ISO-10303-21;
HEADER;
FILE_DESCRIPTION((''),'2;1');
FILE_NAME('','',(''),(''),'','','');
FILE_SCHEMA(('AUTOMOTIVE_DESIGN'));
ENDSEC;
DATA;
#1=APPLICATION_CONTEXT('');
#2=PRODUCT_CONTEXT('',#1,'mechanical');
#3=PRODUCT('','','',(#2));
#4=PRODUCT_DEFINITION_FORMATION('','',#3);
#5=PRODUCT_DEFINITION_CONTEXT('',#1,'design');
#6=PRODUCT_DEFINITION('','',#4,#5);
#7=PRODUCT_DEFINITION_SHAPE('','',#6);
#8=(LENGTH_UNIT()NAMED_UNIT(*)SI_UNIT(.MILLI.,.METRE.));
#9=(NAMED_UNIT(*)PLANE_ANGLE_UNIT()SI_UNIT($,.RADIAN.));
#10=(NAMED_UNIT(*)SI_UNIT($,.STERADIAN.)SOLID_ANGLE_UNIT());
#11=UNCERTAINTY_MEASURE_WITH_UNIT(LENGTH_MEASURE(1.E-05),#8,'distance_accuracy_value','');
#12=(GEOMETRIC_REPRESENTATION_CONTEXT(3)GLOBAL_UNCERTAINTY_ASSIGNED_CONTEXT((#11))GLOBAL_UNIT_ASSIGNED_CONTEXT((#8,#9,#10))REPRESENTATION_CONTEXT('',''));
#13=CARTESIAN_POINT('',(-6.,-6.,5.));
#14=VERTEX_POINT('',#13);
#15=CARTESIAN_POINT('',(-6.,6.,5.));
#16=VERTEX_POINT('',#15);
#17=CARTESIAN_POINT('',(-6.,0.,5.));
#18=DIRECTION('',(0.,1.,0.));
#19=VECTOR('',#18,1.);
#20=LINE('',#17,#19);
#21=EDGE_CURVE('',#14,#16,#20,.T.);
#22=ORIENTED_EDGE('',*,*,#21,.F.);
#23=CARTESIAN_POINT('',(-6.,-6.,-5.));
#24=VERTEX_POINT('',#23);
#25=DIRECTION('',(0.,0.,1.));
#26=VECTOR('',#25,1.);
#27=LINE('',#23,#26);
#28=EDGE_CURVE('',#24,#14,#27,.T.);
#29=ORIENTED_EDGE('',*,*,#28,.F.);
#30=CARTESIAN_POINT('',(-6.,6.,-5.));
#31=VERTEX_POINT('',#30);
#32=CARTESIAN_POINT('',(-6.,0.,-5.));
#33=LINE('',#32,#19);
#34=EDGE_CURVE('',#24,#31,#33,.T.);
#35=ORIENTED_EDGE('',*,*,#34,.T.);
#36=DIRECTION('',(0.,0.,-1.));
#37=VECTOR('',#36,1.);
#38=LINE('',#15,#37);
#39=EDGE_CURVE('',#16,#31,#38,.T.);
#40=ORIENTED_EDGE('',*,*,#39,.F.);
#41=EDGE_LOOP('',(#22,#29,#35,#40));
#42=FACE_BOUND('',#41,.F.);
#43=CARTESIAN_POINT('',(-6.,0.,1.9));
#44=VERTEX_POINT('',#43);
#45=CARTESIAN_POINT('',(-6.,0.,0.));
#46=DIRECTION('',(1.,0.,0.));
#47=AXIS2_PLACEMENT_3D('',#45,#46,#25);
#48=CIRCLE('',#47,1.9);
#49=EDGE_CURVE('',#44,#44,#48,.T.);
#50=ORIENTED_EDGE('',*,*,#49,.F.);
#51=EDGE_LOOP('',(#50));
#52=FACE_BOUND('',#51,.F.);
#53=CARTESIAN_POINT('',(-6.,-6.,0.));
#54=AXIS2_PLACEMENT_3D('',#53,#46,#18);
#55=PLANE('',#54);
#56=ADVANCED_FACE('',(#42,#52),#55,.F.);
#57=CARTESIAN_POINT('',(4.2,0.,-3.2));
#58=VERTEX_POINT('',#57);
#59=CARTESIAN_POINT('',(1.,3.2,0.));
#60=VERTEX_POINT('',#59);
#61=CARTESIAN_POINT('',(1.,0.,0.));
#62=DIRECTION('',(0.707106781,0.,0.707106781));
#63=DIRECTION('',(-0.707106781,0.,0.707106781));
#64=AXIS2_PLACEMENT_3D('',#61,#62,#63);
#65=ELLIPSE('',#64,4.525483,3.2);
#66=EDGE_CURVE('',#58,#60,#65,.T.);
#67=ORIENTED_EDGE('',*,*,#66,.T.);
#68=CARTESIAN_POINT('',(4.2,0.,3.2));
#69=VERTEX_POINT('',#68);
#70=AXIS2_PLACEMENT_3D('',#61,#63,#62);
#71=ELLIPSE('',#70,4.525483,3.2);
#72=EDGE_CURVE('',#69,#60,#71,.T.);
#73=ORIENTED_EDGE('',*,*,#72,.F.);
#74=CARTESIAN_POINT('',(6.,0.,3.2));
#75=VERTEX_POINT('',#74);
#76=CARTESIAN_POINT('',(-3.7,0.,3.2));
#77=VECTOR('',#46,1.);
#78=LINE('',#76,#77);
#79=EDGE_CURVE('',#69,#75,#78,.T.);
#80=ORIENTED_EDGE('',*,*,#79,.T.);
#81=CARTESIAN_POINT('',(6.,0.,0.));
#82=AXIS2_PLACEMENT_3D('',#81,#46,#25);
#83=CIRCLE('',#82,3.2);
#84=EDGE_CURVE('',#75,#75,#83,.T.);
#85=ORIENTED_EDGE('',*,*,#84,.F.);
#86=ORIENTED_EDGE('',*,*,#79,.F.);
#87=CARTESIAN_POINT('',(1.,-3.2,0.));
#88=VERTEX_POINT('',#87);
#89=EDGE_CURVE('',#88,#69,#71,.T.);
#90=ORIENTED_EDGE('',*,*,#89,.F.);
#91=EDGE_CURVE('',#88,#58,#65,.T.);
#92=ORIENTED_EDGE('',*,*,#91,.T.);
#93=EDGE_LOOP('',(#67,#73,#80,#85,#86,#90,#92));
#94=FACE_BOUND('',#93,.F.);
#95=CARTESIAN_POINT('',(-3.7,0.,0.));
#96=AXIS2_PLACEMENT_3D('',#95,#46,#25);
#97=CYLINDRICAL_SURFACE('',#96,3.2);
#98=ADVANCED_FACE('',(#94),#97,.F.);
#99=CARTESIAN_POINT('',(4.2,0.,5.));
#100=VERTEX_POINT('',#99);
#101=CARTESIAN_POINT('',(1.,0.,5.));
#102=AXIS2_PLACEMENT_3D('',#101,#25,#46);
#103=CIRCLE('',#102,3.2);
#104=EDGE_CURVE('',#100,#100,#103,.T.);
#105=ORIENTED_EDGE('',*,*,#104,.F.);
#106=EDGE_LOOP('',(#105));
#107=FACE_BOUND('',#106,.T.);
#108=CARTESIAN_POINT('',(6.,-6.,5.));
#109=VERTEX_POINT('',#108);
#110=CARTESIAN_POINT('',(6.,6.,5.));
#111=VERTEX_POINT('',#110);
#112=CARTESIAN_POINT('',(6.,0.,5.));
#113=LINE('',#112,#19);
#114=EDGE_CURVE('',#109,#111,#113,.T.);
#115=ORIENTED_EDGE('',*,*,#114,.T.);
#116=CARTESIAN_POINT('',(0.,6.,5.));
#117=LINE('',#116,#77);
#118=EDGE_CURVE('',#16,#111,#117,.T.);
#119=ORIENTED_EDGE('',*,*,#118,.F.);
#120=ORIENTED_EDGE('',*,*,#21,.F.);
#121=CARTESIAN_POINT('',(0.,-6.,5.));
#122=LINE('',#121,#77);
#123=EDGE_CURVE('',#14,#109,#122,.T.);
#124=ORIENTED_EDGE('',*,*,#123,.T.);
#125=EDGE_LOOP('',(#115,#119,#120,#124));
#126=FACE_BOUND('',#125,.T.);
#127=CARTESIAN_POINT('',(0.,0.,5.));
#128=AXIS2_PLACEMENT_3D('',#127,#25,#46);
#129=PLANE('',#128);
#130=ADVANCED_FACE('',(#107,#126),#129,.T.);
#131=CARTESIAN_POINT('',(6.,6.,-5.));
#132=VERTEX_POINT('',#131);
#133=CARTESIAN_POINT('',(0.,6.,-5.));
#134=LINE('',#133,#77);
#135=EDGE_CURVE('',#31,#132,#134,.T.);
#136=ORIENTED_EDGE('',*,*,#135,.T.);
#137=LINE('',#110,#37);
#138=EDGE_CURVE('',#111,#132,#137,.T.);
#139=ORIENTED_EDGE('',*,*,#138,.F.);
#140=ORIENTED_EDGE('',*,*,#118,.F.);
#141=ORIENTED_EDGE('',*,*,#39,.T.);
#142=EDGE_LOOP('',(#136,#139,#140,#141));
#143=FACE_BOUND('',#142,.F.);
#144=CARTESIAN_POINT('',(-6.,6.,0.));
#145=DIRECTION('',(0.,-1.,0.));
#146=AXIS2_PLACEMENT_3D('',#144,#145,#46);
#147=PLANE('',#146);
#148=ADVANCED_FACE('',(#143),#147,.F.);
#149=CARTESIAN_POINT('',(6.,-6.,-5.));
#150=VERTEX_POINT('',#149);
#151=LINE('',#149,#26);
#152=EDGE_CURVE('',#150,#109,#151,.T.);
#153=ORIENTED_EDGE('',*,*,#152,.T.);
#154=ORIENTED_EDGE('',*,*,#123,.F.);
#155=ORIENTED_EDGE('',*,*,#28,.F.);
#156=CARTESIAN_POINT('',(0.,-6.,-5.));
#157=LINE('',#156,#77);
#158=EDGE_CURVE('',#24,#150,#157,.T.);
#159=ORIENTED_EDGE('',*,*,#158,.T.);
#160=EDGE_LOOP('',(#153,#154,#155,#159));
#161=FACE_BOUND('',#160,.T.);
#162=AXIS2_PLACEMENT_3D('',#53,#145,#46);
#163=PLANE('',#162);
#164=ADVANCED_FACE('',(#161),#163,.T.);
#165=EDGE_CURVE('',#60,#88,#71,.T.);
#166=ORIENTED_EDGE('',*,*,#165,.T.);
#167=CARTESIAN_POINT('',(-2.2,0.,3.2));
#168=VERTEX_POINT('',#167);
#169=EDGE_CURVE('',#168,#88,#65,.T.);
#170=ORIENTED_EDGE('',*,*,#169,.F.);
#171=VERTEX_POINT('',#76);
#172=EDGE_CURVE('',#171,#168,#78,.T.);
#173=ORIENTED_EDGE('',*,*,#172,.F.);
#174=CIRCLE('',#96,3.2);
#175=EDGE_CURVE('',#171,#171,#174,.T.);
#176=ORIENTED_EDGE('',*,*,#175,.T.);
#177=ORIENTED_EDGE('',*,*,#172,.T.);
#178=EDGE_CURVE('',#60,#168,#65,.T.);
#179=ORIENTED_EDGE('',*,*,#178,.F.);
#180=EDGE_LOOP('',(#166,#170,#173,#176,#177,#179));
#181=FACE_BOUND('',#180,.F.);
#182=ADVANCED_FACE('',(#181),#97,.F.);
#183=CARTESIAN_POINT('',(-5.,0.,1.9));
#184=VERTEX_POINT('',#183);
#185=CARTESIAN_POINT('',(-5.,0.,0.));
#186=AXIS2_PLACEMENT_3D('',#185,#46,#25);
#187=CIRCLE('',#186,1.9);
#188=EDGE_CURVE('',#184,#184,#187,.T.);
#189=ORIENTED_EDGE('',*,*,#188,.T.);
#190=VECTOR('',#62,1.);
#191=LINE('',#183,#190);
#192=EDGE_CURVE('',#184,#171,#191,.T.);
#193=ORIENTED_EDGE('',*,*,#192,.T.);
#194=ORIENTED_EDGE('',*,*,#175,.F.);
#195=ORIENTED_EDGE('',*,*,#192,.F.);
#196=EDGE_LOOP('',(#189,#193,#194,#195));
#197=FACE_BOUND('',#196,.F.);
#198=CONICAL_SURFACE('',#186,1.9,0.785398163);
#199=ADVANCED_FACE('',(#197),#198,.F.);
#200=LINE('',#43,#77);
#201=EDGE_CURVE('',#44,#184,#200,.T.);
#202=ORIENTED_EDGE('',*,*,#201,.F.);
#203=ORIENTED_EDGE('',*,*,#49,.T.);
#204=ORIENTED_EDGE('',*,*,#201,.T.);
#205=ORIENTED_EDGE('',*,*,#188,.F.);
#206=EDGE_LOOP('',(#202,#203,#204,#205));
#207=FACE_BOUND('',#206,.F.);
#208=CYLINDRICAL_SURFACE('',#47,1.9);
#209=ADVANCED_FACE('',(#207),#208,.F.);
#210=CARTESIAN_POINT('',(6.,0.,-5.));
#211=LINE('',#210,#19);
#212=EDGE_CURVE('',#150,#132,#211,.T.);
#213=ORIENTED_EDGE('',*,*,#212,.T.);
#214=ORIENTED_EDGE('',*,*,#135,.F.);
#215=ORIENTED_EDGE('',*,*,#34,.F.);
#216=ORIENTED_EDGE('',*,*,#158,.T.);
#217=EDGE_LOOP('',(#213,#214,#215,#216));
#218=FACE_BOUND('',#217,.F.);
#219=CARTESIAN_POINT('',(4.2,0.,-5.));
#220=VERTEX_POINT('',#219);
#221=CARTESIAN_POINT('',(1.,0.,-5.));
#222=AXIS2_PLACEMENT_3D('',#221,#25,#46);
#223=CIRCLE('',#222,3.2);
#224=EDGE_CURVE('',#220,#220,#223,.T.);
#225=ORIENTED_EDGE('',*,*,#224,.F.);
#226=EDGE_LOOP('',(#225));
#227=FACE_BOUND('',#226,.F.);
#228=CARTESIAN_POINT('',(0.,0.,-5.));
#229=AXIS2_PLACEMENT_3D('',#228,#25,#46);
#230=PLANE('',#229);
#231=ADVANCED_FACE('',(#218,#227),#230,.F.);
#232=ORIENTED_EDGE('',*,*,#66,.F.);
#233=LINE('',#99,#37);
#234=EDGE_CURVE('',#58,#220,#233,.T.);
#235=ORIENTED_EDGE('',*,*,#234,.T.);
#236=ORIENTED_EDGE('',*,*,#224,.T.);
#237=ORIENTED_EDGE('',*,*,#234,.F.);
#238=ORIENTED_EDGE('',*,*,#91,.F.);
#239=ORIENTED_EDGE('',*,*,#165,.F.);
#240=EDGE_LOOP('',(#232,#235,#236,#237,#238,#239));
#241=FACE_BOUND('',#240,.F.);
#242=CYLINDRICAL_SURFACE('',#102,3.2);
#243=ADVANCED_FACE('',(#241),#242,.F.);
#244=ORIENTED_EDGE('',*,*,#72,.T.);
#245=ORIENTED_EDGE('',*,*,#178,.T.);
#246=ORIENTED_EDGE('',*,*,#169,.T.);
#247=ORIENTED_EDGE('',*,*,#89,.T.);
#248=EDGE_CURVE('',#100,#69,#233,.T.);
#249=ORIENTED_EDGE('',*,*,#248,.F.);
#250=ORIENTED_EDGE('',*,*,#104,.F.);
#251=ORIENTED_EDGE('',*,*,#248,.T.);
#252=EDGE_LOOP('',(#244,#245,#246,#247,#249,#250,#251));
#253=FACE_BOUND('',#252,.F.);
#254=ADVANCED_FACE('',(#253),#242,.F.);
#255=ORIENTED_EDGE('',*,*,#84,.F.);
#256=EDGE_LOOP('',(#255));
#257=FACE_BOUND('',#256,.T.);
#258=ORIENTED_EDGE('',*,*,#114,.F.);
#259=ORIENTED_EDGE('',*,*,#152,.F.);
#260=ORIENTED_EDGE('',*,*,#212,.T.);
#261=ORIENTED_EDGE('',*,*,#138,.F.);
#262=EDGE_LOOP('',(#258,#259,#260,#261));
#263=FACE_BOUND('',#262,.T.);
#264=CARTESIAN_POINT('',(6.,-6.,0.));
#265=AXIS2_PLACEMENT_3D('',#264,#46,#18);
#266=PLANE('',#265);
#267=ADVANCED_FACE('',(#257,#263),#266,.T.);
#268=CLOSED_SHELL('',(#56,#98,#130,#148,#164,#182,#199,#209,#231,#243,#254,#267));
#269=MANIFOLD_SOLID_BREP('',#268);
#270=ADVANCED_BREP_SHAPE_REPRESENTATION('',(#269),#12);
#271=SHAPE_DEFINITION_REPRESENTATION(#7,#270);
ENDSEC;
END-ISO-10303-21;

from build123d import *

# Parameters (mm, degrees)
SKETCH_W     = 12
SKETCH_H     = 12
PAD_DEPTH    = 5
SKETCH001_R  = 3.2
POCKET_DEPTH = 10.001


with BuildPart() as body001:
    # Sketch002 → Revolution (revolve)
    with BuildSketch(Plane.XZ):
        Polygon((-6, 0), (-6, 1.9), (-5, 1.9), (-3.7, 3.2), (6, 3.2), (6, 0), align=None)
    revolve(axis=Axis((0, 0, 0), (1, 0, 0)))


with BuildPart() as cut:
    # Sketch → Pad (new body, symmetric)
    with BuildSketch(Plane.XY):
        Rectangle(SKETCH_W, SKETCH_H)
    extrude(amount=PAD_DEPTH, both=True)

    # Sketch001 (on Face6 of Pad) → Pocket (cut, through all)
    with BuildSketch(Plane.XY.offset(5)):
        with Locations((1, 0)):
            Circle(SKETCH001_R)
    extrude(amount=-POCKET_DEPTH, mode=Mode.SUBTRACT)

    # Cut: cut Body001
    add(body001.part, mode=Mode.SUBTRACT)


solid = cut.part
